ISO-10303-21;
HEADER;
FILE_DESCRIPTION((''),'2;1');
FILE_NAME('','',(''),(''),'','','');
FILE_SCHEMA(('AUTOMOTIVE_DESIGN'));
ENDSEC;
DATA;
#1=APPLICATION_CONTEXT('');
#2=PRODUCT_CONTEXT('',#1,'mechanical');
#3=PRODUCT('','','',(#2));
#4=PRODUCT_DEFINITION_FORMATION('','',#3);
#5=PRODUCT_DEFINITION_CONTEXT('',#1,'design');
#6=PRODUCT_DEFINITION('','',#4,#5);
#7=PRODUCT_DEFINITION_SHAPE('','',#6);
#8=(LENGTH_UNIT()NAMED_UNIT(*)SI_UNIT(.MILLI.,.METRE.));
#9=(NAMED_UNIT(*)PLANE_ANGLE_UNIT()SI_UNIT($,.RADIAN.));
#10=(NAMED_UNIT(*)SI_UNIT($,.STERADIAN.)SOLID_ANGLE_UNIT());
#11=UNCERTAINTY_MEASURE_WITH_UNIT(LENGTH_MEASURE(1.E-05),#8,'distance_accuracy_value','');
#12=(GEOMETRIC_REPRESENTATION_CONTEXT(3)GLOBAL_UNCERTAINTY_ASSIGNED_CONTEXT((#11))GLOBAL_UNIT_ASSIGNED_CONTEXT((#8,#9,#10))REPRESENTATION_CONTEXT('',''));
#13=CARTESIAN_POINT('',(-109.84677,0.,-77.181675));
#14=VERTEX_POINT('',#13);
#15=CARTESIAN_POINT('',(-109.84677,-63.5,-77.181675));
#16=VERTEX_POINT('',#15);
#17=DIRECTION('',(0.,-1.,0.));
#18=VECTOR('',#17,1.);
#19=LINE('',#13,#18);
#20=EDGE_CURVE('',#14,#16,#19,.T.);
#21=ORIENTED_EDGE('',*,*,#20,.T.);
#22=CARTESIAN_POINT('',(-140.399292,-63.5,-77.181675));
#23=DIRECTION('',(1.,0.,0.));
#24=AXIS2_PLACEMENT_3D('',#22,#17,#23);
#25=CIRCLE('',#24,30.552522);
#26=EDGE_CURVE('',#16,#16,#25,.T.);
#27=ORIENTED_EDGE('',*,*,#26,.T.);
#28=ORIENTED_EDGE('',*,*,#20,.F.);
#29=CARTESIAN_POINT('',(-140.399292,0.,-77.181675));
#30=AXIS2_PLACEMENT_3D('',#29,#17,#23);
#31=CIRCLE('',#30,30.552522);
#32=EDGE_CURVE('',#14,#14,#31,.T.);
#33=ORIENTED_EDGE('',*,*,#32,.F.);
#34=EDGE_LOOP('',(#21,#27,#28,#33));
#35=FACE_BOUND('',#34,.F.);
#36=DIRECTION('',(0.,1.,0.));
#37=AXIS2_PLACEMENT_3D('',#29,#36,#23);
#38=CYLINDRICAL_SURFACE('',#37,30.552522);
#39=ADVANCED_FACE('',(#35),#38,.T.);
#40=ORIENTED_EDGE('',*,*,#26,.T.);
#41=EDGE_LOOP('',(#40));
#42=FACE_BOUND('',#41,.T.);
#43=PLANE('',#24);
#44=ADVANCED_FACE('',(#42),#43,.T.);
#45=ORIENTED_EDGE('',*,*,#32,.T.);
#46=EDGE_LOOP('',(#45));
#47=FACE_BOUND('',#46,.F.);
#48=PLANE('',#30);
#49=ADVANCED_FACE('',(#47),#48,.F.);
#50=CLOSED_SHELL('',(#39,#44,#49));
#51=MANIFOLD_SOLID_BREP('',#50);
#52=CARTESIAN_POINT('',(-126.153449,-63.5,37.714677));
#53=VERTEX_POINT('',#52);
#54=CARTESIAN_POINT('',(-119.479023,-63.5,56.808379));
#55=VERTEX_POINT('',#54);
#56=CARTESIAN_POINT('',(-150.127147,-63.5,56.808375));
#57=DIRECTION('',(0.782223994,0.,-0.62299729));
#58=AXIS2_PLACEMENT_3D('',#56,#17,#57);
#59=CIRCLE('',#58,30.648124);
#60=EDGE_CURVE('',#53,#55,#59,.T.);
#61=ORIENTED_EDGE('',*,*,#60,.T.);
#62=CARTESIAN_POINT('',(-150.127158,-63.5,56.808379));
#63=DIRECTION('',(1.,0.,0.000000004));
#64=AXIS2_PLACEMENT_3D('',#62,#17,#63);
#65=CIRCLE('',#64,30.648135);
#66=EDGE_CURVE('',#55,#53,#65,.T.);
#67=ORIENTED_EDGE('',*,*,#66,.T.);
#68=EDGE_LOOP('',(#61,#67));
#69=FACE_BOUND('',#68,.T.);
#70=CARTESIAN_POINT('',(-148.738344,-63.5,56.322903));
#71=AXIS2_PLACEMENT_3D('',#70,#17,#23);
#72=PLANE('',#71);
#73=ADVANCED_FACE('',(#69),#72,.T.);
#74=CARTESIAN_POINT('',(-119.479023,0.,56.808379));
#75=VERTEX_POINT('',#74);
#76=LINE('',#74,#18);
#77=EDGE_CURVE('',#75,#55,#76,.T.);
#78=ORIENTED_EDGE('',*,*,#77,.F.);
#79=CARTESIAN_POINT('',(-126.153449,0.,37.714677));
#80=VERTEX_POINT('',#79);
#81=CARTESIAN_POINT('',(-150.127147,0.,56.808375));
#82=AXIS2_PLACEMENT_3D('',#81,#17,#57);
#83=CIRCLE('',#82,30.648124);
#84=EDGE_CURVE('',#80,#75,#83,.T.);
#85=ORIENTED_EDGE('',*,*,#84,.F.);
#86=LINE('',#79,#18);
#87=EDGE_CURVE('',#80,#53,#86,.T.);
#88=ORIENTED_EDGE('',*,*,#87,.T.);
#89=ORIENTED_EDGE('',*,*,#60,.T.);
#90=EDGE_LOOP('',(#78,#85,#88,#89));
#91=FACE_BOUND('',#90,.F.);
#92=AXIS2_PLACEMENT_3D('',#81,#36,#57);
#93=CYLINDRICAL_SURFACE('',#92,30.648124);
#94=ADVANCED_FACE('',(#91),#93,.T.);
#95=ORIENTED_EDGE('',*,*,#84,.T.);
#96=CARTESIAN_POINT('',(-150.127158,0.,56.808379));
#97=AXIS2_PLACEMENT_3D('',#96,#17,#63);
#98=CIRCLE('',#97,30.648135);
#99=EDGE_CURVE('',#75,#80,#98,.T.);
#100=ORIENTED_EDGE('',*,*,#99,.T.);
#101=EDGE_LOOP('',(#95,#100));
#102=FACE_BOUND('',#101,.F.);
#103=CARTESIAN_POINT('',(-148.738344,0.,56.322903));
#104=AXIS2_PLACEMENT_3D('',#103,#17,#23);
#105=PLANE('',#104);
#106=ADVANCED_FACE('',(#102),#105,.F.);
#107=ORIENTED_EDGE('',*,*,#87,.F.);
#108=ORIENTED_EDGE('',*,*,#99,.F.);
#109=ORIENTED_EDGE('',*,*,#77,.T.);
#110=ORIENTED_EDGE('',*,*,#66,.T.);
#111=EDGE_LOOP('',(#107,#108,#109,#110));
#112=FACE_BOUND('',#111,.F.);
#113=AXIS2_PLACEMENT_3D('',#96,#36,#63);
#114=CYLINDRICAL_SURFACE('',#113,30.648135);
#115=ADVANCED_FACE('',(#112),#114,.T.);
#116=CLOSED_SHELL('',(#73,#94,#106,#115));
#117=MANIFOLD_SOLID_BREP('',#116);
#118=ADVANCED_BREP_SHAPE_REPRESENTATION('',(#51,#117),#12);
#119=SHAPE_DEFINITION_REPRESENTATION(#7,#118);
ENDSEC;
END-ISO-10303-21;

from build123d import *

# Parameters (mm, degrees)
F1_R     = 30.552522
F2_DEPTH = 63.5


with BuildPart() as f2:
    # F0 (on Front) + F1 (on Front) → F2 (new body)
    with BuildSketch(Plane.XZ):
        with BuildLine():
            ThreePointArc((-126.153449, 37.714677), (-121.195707, 46.695053), (-119.479023, 56.808379))
            ThreePointArc((-119.479023, 56.808379), (-179.058608, 66.921704), (-126.153449, 37.714677))
        make_face()
    with BuildSketch(Plane.XZ):
        with Locations((-140.399292, -77.181675)):
            Circle(F1_R)
    extrude(amount=F2_DEPTH)


solid = f2.part
